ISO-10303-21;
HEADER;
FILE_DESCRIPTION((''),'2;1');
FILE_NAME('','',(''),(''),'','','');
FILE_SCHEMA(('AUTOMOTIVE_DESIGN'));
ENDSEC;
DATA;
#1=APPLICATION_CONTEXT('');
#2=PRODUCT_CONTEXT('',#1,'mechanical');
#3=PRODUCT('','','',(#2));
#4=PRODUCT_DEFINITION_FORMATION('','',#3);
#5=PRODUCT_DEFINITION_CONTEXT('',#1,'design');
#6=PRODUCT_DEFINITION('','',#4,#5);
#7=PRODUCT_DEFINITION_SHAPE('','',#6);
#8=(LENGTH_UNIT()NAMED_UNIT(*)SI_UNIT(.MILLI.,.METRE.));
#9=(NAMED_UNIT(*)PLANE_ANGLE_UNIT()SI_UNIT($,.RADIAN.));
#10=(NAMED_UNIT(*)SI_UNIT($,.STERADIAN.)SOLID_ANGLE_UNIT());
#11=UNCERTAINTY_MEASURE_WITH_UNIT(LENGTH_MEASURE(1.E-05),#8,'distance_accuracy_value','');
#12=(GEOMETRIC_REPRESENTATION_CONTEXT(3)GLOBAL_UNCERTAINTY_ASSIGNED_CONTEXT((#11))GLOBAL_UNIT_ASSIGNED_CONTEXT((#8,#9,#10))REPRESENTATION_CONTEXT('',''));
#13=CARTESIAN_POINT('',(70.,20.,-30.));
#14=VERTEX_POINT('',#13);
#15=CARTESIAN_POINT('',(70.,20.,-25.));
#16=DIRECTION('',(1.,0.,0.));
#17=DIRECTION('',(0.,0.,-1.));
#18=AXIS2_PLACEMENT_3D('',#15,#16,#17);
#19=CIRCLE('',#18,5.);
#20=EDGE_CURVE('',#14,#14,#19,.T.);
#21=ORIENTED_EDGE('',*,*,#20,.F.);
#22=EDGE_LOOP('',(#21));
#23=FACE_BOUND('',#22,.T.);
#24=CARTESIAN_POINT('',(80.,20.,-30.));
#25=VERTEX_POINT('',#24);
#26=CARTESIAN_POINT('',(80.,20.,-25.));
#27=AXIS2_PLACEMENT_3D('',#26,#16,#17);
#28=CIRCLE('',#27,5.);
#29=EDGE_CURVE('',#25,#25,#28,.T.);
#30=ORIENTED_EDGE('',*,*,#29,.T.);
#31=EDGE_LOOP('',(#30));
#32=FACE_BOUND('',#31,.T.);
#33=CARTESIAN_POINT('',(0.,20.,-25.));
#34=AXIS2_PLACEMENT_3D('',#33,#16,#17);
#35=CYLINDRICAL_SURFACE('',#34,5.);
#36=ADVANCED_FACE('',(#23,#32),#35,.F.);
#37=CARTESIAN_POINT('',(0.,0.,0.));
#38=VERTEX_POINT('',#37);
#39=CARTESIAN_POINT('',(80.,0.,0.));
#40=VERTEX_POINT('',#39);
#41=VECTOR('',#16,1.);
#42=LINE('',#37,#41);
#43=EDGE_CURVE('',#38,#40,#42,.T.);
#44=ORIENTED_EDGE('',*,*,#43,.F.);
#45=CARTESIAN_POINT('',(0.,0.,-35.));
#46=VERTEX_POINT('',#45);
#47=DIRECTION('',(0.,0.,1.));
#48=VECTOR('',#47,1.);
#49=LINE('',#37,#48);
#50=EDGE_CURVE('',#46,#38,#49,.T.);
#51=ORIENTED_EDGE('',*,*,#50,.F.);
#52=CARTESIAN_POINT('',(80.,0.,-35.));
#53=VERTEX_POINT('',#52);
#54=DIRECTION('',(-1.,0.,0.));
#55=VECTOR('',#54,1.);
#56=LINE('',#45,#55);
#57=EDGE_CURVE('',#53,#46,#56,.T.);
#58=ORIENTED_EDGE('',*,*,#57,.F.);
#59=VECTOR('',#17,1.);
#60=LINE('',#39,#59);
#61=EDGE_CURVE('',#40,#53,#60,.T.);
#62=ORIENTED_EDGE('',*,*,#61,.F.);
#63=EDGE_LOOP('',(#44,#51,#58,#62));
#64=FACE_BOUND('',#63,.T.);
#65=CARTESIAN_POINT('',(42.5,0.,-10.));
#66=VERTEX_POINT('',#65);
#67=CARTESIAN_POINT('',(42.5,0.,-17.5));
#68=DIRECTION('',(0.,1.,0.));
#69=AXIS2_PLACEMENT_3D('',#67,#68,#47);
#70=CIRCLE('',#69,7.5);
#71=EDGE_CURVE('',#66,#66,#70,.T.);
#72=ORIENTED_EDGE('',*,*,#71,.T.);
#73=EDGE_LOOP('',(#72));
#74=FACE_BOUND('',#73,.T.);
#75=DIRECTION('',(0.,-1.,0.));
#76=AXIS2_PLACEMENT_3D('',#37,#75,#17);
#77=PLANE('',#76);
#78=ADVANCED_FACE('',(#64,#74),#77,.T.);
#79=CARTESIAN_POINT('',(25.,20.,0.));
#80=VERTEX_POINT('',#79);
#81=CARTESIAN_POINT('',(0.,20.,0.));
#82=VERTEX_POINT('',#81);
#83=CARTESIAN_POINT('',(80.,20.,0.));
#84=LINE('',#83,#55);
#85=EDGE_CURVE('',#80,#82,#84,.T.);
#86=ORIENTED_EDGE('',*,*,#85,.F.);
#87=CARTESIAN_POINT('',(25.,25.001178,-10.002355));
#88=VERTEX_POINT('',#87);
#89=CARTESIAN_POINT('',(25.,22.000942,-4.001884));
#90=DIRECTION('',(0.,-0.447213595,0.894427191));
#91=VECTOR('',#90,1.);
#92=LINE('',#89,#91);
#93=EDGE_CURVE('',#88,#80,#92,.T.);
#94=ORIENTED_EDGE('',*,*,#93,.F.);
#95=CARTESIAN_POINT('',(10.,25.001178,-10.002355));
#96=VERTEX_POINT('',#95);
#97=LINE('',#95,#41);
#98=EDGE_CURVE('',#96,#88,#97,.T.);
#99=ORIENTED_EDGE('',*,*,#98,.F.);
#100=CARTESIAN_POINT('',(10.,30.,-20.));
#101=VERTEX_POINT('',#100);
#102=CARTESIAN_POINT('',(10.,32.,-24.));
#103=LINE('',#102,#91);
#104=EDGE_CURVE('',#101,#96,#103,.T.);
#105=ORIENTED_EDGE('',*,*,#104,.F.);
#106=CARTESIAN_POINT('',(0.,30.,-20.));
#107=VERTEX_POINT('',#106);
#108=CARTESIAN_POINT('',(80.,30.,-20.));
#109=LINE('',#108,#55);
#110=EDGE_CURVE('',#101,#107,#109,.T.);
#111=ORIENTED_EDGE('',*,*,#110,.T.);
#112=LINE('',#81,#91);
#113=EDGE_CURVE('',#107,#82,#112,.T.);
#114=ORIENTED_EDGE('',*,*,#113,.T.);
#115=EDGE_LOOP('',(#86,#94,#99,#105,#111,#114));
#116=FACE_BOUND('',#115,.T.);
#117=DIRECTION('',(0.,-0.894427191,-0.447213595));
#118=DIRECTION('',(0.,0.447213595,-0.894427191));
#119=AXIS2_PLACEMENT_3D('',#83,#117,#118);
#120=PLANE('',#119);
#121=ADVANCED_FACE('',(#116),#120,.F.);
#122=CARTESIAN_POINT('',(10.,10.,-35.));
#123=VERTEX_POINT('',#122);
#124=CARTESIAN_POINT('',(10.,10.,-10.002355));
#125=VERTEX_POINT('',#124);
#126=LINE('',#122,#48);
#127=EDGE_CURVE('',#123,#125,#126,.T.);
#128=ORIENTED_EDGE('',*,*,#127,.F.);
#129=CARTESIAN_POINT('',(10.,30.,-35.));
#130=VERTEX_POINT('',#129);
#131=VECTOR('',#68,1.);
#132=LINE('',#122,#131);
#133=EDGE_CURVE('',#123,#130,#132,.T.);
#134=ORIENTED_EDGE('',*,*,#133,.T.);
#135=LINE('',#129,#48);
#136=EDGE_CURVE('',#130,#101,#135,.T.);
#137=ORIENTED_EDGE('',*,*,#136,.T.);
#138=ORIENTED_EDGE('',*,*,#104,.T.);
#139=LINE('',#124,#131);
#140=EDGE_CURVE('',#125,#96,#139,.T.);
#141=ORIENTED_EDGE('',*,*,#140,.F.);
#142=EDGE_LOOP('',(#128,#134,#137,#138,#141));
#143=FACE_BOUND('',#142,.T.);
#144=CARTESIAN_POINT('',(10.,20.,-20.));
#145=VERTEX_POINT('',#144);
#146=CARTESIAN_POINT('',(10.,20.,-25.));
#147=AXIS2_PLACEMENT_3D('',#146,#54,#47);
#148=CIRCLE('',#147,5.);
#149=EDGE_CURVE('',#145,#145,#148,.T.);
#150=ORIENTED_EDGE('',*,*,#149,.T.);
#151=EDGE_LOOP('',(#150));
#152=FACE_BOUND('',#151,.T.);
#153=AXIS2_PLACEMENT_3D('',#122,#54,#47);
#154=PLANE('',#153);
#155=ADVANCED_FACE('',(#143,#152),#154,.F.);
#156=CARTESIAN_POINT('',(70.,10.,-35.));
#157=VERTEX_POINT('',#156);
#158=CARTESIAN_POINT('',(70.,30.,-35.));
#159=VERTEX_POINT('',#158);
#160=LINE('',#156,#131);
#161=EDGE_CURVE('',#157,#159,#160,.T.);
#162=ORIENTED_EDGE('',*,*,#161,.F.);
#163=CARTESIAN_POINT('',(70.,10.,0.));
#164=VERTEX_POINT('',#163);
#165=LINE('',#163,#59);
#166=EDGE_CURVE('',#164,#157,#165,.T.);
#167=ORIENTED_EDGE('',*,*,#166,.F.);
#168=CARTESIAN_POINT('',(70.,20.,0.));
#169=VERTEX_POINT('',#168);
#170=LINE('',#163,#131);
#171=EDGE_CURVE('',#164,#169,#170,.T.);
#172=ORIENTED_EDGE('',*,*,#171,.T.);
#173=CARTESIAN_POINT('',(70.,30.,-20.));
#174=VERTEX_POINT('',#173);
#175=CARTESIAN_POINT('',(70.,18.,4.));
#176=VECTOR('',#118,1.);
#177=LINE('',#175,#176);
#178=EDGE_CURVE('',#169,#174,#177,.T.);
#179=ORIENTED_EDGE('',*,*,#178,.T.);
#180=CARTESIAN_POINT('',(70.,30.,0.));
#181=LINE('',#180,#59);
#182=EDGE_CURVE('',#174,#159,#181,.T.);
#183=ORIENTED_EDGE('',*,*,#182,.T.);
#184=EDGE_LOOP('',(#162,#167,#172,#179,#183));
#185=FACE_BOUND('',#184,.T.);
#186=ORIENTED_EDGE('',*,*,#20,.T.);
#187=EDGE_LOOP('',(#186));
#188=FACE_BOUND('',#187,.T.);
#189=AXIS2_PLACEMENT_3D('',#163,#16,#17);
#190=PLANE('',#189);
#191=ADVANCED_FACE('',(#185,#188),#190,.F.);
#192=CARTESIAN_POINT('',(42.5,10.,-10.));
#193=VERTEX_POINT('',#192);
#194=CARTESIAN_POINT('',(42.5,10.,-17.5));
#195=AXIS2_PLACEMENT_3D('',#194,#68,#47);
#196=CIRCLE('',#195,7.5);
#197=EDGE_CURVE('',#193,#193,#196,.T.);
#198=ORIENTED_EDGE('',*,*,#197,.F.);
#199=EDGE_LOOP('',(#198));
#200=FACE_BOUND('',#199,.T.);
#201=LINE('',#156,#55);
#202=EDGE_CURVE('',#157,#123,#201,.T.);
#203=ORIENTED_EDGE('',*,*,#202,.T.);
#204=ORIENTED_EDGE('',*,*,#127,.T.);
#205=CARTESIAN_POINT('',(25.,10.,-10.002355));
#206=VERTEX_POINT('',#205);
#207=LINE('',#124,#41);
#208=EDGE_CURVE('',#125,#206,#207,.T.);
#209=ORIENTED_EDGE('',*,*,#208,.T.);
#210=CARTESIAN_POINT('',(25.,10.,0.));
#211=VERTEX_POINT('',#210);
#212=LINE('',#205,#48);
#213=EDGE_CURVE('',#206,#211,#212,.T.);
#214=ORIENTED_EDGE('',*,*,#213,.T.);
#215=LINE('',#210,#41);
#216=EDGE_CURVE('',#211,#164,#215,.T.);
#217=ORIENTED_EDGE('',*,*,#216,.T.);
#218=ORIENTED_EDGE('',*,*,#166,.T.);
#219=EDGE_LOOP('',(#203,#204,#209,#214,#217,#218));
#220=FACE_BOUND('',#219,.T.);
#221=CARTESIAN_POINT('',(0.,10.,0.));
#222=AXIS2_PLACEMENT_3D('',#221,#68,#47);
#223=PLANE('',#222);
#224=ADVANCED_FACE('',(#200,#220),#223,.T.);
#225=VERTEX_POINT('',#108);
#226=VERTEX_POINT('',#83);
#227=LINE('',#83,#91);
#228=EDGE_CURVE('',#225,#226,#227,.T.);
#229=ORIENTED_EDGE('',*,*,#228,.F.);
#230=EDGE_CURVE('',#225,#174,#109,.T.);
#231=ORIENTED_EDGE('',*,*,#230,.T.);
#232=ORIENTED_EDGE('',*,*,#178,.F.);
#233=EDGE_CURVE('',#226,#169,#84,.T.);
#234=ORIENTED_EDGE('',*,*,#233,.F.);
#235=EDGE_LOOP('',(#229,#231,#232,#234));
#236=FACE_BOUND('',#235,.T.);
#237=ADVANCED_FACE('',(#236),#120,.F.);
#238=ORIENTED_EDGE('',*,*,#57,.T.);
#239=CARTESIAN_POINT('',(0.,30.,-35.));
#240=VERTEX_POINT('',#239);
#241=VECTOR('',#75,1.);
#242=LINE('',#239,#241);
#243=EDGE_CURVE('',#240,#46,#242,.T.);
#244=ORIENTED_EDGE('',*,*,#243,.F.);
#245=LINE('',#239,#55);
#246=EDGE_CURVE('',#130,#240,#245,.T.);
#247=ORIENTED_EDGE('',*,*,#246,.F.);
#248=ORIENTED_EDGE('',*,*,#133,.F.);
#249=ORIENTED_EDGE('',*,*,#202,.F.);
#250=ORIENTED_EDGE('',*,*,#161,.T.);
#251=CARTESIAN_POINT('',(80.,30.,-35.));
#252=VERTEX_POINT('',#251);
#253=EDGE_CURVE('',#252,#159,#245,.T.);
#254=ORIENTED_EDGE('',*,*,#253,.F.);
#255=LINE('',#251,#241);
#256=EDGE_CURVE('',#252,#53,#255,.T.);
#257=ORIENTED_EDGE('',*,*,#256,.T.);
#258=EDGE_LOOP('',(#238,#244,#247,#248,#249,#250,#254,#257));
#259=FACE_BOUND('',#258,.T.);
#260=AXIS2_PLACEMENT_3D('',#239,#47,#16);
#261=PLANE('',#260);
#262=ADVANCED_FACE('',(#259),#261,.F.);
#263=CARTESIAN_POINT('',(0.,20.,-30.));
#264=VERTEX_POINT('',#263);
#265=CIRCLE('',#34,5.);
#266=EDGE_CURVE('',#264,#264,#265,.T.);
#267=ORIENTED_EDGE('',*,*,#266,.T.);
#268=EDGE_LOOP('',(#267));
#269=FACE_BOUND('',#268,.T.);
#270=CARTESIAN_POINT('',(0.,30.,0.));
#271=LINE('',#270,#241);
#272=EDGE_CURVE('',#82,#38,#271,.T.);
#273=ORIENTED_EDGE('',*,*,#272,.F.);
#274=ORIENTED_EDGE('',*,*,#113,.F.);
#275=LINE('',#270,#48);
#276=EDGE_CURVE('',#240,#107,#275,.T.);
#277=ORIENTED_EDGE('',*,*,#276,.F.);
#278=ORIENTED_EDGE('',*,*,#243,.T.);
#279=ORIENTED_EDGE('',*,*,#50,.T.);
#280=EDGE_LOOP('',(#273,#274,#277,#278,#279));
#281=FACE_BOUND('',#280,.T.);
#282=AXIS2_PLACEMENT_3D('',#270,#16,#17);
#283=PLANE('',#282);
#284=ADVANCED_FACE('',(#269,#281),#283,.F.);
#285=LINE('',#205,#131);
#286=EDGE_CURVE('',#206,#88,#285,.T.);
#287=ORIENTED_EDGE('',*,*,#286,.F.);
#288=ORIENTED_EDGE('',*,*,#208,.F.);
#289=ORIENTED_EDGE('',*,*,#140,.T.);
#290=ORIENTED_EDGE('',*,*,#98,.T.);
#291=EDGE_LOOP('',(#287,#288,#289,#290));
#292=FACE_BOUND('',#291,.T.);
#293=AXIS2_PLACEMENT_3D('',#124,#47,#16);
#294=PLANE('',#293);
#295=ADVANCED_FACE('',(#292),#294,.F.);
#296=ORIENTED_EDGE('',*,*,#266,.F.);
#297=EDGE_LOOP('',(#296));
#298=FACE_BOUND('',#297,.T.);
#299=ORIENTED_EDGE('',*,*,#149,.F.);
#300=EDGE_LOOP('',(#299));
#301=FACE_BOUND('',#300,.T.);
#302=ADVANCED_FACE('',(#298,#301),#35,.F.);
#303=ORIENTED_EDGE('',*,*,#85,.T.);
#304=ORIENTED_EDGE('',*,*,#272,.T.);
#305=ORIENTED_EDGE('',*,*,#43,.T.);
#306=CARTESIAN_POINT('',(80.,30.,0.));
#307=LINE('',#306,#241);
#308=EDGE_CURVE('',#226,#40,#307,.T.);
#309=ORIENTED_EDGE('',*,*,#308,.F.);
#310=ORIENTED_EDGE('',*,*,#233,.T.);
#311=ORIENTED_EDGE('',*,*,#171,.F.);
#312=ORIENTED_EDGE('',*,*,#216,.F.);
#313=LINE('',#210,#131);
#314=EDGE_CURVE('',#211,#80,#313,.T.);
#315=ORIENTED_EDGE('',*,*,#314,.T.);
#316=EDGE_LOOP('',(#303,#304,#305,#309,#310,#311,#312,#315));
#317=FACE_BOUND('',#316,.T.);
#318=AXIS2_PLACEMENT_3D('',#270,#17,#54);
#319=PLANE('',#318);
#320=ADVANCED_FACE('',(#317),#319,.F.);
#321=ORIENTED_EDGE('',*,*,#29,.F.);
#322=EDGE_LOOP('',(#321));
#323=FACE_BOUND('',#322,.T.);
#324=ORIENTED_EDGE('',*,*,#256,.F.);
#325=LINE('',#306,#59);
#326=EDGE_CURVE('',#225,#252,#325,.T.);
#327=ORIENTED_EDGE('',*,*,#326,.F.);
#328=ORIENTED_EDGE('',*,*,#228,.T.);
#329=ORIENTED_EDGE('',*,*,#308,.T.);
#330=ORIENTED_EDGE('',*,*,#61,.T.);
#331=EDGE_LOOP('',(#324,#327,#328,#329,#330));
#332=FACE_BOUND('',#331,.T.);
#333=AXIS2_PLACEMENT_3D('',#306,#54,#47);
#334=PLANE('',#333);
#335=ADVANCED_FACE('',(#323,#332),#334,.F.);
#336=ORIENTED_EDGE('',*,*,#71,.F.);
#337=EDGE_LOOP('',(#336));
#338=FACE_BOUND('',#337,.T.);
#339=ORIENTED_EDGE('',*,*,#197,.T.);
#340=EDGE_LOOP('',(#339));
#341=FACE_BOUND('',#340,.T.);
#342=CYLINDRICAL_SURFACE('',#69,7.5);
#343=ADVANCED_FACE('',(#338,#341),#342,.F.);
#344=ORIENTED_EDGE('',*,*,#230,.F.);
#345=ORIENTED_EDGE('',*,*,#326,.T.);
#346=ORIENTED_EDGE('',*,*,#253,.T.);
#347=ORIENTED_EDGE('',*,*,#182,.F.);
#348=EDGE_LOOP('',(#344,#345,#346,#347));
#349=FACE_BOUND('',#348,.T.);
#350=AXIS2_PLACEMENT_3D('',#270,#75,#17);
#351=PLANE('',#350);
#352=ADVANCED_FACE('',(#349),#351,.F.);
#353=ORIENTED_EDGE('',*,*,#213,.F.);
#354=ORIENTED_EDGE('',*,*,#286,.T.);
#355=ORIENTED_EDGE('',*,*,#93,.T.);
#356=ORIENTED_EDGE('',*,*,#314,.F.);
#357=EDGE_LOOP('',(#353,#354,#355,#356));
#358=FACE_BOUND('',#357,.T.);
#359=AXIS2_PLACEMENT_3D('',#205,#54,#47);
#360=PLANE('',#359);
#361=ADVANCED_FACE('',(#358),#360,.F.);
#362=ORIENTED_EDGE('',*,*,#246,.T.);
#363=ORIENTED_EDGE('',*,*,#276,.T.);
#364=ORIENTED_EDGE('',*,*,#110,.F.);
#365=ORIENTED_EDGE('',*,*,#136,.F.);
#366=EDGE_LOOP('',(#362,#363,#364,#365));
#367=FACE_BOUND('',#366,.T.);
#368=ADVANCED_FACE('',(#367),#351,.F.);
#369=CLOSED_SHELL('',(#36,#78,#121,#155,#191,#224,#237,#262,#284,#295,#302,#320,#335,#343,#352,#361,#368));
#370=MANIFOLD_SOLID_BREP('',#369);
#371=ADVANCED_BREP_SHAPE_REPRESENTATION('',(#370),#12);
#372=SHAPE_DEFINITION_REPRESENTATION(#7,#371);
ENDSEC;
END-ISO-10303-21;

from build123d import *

# Parameters (mm, degrees)
SKETCH1_W           = 80
SKETCH1_H           = 35
BOSS_EXTRUDE1_DEPTH = 30
CUT_EXTRUDE1_DEPTH  = 20
CUT_EXTRUDE2_DEPTH  = 81
SKETCH4_R           = 5
CUT_EXTRUDE4_DEPTH  = 81
SKETCH5_R           = 7.5
CUT_EXTRUDE5_DEPTH  = 11


with BuildPart() as part:
    # Sketch1 → Boss-Extrude1 (new body)
    with BuildSketch(Plane(origin=(0, 0, 0), x_dir=(1, 0, 0), z_dir=(0, 1, 0))):
        with Locations((40, 17.5)):
            Rectangle(SKETCH1_W, SKETCH1_H)
    extrude(amount=BOSS_EXTRUDE1_DEPTH)

    # Sketch2 → Cut-Extrude1 (cut)
    with BuildSketch(Plane(origin=(0, 30, 0), x_dir=(1, 0, 0), z_dir=(0, 1, 0))):
        Polygon((10, 35), (10, 10.002355001), (25, 10.002355001), (25, 0), (70, 0), (70, 35), align=None)
    extrude(amount=-CUT_EXTRUDE1_DEPTH, mode=Mode.SUBTRACT)

    # Sketch3 → Cut-Extrude2 (cut, through all)
    with BuildSketch(Plane.ZY):
        Polygon((0, 30), (0, 20), (-20, 30), align=None)
    extrude(amount=-CUT_EXTRUDE2_DEPTH, mode=Mode.SUBTRACT)

    # Sketch4 → Cut-Extrude4 (cut, through all)
    with BuildSketch(Plane(origin=(80, 0, 0), x_dir=(0, 0, -1), z_dir=(1, 0, 0))):
        with Locations((25, 20)):
            Circle(SKETCH4_R)
    extrude(amount=-CUT_EXTRUDE4_DEPTH, mode=Mode.SUBTRACT)

    # Sketch5 → Cut-Extrude5 (cut, through all)
    with BuildSketch(Plane(origin=(0, 10, 0), x_dir=(1, 0, 0), z_dir=(0, 1, 0))):
        with Locations((42.5, 17.5)):
            Circle(SKETCH5_R)
    extrude(amount=-CUT_EXTRUDE5_DEPTH, mode=Mode.SUBTRACT)


solid = part.part
